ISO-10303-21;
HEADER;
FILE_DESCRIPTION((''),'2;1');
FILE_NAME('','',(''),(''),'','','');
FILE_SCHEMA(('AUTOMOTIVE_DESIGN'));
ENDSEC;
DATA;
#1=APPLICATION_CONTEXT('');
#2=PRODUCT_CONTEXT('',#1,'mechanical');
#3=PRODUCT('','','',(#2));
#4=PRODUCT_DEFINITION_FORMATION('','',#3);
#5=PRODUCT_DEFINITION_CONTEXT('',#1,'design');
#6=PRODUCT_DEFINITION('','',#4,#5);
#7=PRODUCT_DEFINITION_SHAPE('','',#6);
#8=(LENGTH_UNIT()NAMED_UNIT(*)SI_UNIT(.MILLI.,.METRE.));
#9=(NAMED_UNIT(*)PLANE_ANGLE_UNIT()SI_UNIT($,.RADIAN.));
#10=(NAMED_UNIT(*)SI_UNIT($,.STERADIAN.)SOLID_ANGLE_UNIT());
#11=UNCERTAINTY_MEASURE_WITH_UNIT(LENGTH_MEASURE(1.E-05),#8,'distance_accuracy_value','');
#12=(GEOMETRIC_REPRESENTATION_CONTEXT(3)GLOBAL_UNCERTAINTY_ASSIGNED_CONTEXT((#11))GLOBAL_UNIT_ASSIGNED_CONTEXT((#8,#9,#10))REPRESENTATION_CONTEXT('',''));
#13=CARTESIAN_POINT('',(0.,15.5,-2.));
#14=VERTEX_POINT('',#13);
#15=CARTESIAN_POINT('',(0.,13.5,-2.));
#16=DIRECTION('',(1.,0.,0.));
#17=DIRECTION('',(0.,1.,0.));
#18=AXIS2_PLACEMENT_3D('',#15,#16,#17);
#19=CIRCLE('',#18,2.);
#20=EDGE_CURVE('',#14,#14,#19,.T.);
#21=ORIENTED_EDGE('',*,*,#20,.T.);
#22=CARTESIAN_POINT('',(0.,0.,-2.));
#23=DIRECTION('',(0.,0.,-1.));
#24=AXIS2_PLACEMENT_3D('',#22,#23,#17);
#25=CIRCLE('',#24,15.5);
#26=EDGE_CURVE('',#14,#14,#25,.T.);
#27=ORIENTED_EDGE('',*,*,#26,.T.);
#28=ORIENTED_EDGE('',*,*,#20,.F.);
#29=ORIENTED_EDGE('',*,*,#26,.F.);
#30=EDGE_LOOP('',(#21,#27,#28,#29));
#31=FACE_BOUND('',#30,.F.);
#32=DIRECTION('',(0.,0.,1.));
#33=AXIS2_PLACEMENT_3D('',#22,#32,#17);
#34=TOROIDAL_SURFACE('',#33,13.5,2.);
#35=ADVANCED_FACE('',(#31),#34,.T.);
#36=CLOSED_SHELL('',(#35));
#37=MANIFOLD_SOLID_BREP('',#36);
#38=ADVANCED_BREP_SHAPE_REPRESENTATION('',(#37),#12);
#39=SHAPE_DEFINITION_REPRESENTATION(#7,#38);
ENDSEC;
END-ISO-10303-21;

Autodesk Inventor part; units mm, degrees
ref_plane "YZ Plane" through (0, 0, 0) normal (1, 0, 0) x (0, 1, 0)
ref_plane "XZ Plane" through (0, 0, 0) normal (0, 1, 0) x (-1, 0, 0)
ref_plane "XY Plane" through (0, 0, 0) normal (0, 0, 1) x (1, 0, 0)
sketch "Esquisse1" plane through (0, 0, 0) normal (1, 0, 0) x (0, 1, 0)
  circle A0 centre (13.5, -2) radius 2
  line L0 (0, 0) -> (0, -15.8798)
  point P0 (13.5, 0)
  point P1 (11.5, -2)
  dimension "d0" = 4
  dimension "d2" = 23
revolve "Révolution1" add sketch "Esquisse1" angle 360 about axis through (0, 0, 0) along (0, 0, -1)
properties part number "joint"
